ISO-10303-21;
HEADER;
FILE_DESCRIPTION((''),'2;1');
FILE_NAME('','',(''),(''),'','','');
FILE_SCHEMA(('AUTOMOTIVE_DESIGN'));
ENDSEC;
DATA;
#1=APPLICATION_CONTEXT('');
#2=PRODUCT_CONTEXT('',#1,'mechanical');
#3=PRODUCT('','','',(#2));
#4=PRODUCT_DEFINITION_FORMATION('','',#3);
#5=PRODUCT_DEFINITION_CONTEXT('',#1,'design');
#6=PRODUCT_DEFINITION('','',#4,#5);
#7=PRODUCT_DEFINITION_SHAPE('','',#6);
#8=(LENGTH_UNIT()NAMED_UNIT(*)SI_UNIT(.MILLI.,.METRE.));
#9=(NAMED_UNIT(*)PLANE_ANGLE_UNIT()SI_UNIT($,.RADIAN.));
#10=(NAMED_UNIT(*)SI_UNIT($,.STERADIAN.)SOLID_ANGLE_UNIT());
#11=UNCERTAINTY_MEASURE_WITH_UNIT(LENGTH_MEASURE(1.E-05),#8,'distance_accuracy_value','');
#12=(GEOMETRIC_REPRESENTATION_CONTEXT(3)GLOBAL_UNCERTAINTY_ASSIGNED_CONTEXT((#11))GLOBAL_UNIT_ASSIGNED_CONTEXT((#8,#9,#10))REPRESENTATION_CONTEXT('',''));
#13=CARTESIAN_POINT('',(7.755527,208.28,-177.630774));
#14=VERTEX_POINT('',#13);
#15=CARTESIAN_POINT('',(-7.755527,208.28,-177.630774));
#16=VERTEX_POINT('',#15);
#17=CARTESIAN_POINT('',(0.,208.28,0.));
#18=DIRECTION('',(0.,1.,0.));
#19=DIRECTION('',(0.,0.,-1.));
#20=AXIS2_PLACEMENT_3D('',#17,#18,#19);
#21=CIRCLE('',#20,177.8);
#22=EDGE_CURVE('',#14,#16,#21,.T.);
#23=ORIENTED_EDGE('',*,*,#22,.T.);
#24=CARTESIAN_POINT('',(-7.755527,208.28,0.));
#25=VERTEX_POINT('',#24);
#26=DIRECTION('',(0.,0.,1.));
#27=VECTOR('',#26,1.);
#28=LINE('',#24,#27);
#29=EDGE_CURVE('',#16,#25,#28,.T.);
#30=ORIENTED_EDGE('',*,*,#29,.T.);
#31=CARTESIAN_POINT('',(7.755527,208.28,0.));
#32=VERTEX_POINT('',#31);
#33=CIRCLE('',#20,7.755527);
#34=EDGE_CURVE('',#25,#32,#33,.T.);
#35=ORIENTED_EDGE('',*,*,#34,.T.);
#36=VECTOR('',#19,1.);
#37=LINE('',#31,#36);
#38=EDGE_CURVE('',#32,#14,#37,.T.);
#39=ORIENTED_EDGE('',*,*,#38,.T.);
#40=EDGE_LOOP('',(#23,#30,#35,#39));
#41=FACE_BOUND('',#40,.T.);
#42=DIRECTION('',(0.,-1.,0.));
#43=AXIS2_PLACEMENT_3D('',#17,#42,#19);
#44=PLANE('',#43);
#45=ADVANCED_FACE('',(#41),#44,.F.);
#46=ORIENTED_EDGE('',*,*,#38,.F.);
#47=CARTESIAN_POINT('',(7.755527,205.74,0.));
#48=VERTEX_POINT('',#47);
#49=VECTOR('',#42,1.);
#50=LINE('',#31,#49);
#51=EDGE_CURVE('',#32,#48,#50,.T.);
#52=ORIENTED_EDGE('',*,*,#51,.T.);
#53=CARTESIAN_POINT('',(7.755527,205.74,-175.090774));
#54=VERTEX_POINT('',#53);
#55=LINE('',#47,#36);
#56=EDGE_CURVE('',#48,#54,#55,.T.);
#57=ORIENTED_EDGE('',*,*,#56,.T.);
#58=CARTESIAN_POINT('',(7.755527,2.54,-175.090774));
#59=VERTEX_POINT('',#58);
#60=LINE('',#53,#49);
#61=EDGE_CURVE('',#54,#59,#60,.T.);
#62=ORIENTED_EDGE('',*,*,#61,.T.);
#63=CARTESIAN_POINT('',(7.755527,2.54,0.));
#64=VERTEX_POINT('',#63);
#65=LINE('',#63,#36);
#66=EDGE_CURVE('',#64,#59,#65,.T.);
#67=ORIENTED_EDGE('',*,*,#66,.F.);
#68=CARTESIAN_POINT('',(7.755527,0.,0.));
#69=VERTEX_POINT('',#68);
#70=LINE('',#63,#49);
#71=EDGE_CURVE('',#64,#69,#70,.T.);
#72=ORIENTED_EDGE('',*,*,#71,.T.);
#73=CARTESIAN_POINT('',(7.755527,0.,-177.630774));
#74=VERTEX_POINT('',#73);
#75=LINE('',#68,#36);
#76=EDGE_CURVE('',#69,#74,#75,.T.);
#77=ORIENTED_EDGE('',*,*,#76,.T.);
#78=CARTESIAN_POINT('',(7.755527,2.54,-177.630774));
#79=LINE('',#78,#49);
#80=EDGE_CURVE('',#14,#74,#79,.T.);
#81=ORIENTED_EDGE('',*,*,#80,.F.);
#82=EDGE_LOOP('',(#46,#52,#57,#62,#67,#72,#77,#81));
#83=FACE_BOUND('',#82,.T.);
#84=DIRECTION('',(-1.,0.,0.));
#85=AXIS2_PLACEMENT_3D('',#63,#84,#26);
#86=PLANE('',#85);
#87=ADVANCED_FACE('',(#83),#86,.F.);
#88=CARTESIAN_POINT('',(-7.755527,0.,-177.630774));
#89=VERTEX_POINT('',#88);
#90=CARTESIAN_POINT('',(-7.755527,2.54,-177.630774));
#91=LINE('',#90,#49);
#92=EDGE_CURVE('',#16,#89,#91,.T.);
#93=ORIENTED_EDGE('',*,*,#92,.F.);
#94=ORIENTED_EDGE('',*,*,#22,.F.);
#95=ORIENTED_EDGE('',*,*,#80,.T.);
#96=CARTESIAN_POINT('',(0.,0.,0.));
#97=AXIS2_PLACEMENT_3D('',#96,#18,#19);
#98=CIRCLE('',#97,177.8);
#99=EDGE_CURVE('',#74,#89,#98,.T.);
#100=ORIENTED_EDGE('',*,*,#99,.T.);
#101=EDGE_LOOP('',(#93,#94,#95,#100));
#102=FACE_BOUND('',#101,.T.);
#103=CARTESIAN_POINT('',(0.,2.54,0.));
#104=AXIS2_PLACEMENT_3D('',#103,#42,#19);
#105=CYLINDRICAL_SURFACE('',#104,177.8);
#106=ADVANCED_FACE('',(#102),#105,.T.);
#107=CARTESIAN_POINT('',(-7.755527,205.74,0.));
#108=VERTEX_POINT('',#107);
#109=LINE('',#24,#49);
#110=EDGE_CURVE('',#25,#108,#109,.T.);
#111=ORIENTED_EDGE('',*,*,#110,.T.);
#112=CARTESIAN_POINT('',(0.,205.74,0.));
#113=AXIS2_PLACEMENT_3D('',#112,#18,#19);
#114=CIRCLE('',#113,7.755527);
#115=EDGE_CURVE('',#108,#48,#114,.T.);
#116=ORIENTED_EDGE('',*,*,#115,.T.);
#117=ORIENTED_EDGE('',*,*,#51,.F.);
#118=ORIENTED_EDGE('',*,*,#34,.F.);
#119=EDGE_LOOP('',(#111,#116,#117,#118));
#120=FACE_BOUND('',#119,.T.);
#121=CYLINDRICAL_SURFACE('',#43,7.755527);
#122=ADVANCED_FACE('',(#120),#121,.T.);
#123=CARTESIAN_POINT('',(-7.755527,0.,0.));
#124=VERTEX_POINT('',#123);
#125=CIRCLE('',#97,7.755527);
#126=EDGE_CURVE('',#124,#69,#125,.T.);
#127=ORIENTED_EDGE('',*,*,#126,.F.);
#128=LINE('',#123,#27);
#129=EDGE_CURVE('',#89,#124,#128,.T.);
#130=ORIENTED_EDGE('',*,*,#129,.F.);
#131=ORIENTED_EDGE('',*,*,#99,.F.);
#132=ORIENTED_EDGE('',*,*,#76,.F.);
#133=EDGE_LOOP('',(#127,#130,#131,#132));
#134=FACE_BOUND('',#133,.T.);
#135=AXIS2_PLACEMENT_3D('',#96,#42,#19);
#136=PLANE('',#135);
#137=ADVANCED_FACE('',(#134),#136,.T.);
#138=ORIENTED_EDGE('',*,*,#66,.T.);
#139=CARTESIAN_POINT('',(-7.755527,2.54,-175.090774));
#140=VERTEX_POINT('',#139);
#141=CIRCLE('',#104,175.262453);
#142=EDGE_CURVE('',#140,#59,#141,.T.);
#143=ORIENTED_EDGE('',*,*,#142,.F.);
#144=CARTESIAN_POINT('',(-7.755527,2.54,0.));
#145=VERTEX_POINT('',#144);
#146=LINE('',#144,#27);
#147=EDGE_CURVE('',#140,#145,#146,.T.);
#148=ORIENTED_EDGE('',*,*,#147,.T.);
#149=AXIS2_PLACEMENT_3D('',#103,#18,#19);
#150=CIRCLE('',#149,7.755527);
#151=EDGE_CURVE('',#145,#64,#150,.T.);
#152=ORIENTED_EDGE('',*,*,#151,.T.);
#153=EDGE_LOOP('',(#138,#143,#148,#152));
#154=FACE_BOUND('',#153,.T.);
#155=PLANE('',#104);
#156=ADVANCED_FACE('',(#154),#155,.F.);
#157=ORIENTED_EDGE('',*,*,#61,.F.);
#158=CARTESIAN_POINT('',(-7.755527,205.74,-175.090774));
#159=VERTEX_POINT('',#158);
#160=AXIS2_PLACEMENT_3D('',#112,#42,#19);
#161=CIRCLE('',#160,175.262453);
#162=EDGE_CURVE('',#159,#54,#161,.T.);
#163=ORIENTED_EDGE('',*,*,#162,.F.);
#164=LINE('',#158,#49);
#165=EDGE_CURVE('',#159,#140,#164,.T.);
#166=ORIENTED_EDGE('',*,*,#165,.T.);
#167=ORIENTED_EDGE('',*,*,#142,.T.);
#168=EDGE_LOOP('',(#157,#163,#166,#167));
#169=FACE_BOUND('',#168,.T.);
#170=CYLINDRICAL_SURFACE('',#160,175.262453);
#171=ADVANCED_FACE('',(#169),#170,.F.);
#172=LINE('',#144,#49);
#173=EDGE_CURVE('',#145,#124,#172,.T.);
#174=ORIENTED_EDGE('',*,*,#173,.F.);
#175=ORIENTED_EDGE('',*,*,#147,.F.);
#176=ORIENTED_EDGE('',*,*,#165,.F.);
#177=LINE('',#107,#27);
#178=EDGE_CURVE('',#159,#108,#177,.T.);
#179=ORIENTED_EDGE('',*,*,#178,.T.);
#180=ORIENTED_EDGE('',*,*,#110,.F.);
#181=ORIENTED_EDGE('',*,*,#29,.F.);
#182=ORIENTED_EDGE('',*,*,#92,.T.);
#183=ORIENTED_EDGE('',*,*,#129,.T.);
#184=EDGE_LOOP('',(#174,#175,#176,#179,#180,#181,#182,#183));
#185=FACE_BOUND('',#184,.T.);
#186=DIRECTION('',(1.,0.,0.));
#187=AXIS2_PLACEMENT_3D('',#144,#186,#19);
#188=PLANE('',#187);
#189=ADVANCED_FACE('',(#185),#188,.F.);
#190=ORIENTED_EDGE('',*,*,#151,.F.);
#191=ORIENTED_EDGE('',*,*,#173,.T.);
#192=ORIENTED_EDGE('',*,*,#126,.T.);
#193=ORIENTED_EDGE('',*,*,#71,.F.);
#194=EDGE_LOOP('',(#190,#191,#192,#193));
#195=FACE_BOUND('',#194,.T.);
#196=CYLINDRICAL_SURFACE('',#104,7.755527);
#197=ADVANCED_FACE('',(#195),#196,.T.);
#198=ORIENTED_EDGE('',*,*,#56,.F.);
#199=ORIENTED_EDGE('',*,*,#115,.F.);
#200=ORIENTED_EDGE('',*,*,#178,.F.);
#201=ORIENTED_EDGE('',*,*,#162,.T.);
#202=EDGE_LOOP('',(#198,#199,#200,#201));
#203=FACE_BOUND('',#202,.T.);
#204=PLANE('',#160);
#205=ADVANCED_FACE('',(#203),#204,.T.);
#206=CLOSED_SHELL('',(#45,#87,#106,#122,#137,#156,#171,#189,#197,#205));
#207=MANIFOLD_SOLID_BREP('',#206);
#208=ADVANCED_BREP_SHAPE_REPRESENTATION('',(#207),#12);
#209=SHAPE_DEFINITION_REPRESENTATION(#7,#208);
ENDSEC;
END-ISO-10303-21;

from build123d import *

# Parameters (mm, degrees)
BOSS_EXTRUDE1_DEPTH = 2.54
BOSS_EXTRUDE2_DEPTH = 203.2
BOSS_EXTRUDE3_DEPTH = 2.54


with BuildPart() as part:
    # Sketch1 → Boss-Extrude1 (new body)
    with BuildSketch(Plane(origin=(0, 0, 0), x_dir=(1, 0, 0), z_dir=(0, 1, 0))):
        with BuildLine():
            Line((-7.755527074, 0), (-7.755527074, 177.630773797))
            ThreePointArc((-7.755527074, 177.630773797), (0, 177.8), (7.755527074, 177.630773797))
            Line((7.755527074, 177.630773797), (7.755527074, 0))
            ThreePointArc((7.755527074, 0), (0, -7.755527074), (-7.755527074, 0))
        make_face()
    extrude(amount=BOSS_EXTRUDE1_DEPTH)

    # Sketch2 → Boss-Extrude2 (add)
    with BuildSketch(Plane(origin=(0, 2.54, 0), x_dir=(1, 0, 0), z_dir=(0, 1, 0))):
        with BuildLine():
            Line((-7.755527074, 177.630773797), (-7.755527074, 175.090773797))
            ThreePointArc((-7.755527074, 175.090773797), (0, 175.262452537), (7.755527074, 175.090773797))
            Line((7.755527074, 175.090773797), (7.755527074, 177.630773797))
            ThreePointArc((7.755527074, 177.630773797), (0, 177.8), (-7.755527074, 177.630773797))
        make_face()
    extrude(amount=BOSS_EXTRUDE2_DEPTH)

    # Sketch3 → Boss-Extrude3 (add)
    with BuildSketch(Plane(origin=(0, 205.74, 0), x_dir=(1, 0, 0), z_dir=(0, 1, 0))):
        with BuildLine():
            Line((-7.755527074, 0), (-7.755527074, 177.630773797))
            ThreePointArc((-7.755527074, 177.630773797), (0, 177.8), (7.755527074, 177.630773797))
            Line((7.755527074, 177.630773797), (7.755527074, 0))
            ThreePointArc((7.755527074, 0), (0, -7.755527074), (-7.755527074, 0))
        make_face()
    extrude(amount=BOSS_EXTRUDE3_DEPTH)


solid = part.part
